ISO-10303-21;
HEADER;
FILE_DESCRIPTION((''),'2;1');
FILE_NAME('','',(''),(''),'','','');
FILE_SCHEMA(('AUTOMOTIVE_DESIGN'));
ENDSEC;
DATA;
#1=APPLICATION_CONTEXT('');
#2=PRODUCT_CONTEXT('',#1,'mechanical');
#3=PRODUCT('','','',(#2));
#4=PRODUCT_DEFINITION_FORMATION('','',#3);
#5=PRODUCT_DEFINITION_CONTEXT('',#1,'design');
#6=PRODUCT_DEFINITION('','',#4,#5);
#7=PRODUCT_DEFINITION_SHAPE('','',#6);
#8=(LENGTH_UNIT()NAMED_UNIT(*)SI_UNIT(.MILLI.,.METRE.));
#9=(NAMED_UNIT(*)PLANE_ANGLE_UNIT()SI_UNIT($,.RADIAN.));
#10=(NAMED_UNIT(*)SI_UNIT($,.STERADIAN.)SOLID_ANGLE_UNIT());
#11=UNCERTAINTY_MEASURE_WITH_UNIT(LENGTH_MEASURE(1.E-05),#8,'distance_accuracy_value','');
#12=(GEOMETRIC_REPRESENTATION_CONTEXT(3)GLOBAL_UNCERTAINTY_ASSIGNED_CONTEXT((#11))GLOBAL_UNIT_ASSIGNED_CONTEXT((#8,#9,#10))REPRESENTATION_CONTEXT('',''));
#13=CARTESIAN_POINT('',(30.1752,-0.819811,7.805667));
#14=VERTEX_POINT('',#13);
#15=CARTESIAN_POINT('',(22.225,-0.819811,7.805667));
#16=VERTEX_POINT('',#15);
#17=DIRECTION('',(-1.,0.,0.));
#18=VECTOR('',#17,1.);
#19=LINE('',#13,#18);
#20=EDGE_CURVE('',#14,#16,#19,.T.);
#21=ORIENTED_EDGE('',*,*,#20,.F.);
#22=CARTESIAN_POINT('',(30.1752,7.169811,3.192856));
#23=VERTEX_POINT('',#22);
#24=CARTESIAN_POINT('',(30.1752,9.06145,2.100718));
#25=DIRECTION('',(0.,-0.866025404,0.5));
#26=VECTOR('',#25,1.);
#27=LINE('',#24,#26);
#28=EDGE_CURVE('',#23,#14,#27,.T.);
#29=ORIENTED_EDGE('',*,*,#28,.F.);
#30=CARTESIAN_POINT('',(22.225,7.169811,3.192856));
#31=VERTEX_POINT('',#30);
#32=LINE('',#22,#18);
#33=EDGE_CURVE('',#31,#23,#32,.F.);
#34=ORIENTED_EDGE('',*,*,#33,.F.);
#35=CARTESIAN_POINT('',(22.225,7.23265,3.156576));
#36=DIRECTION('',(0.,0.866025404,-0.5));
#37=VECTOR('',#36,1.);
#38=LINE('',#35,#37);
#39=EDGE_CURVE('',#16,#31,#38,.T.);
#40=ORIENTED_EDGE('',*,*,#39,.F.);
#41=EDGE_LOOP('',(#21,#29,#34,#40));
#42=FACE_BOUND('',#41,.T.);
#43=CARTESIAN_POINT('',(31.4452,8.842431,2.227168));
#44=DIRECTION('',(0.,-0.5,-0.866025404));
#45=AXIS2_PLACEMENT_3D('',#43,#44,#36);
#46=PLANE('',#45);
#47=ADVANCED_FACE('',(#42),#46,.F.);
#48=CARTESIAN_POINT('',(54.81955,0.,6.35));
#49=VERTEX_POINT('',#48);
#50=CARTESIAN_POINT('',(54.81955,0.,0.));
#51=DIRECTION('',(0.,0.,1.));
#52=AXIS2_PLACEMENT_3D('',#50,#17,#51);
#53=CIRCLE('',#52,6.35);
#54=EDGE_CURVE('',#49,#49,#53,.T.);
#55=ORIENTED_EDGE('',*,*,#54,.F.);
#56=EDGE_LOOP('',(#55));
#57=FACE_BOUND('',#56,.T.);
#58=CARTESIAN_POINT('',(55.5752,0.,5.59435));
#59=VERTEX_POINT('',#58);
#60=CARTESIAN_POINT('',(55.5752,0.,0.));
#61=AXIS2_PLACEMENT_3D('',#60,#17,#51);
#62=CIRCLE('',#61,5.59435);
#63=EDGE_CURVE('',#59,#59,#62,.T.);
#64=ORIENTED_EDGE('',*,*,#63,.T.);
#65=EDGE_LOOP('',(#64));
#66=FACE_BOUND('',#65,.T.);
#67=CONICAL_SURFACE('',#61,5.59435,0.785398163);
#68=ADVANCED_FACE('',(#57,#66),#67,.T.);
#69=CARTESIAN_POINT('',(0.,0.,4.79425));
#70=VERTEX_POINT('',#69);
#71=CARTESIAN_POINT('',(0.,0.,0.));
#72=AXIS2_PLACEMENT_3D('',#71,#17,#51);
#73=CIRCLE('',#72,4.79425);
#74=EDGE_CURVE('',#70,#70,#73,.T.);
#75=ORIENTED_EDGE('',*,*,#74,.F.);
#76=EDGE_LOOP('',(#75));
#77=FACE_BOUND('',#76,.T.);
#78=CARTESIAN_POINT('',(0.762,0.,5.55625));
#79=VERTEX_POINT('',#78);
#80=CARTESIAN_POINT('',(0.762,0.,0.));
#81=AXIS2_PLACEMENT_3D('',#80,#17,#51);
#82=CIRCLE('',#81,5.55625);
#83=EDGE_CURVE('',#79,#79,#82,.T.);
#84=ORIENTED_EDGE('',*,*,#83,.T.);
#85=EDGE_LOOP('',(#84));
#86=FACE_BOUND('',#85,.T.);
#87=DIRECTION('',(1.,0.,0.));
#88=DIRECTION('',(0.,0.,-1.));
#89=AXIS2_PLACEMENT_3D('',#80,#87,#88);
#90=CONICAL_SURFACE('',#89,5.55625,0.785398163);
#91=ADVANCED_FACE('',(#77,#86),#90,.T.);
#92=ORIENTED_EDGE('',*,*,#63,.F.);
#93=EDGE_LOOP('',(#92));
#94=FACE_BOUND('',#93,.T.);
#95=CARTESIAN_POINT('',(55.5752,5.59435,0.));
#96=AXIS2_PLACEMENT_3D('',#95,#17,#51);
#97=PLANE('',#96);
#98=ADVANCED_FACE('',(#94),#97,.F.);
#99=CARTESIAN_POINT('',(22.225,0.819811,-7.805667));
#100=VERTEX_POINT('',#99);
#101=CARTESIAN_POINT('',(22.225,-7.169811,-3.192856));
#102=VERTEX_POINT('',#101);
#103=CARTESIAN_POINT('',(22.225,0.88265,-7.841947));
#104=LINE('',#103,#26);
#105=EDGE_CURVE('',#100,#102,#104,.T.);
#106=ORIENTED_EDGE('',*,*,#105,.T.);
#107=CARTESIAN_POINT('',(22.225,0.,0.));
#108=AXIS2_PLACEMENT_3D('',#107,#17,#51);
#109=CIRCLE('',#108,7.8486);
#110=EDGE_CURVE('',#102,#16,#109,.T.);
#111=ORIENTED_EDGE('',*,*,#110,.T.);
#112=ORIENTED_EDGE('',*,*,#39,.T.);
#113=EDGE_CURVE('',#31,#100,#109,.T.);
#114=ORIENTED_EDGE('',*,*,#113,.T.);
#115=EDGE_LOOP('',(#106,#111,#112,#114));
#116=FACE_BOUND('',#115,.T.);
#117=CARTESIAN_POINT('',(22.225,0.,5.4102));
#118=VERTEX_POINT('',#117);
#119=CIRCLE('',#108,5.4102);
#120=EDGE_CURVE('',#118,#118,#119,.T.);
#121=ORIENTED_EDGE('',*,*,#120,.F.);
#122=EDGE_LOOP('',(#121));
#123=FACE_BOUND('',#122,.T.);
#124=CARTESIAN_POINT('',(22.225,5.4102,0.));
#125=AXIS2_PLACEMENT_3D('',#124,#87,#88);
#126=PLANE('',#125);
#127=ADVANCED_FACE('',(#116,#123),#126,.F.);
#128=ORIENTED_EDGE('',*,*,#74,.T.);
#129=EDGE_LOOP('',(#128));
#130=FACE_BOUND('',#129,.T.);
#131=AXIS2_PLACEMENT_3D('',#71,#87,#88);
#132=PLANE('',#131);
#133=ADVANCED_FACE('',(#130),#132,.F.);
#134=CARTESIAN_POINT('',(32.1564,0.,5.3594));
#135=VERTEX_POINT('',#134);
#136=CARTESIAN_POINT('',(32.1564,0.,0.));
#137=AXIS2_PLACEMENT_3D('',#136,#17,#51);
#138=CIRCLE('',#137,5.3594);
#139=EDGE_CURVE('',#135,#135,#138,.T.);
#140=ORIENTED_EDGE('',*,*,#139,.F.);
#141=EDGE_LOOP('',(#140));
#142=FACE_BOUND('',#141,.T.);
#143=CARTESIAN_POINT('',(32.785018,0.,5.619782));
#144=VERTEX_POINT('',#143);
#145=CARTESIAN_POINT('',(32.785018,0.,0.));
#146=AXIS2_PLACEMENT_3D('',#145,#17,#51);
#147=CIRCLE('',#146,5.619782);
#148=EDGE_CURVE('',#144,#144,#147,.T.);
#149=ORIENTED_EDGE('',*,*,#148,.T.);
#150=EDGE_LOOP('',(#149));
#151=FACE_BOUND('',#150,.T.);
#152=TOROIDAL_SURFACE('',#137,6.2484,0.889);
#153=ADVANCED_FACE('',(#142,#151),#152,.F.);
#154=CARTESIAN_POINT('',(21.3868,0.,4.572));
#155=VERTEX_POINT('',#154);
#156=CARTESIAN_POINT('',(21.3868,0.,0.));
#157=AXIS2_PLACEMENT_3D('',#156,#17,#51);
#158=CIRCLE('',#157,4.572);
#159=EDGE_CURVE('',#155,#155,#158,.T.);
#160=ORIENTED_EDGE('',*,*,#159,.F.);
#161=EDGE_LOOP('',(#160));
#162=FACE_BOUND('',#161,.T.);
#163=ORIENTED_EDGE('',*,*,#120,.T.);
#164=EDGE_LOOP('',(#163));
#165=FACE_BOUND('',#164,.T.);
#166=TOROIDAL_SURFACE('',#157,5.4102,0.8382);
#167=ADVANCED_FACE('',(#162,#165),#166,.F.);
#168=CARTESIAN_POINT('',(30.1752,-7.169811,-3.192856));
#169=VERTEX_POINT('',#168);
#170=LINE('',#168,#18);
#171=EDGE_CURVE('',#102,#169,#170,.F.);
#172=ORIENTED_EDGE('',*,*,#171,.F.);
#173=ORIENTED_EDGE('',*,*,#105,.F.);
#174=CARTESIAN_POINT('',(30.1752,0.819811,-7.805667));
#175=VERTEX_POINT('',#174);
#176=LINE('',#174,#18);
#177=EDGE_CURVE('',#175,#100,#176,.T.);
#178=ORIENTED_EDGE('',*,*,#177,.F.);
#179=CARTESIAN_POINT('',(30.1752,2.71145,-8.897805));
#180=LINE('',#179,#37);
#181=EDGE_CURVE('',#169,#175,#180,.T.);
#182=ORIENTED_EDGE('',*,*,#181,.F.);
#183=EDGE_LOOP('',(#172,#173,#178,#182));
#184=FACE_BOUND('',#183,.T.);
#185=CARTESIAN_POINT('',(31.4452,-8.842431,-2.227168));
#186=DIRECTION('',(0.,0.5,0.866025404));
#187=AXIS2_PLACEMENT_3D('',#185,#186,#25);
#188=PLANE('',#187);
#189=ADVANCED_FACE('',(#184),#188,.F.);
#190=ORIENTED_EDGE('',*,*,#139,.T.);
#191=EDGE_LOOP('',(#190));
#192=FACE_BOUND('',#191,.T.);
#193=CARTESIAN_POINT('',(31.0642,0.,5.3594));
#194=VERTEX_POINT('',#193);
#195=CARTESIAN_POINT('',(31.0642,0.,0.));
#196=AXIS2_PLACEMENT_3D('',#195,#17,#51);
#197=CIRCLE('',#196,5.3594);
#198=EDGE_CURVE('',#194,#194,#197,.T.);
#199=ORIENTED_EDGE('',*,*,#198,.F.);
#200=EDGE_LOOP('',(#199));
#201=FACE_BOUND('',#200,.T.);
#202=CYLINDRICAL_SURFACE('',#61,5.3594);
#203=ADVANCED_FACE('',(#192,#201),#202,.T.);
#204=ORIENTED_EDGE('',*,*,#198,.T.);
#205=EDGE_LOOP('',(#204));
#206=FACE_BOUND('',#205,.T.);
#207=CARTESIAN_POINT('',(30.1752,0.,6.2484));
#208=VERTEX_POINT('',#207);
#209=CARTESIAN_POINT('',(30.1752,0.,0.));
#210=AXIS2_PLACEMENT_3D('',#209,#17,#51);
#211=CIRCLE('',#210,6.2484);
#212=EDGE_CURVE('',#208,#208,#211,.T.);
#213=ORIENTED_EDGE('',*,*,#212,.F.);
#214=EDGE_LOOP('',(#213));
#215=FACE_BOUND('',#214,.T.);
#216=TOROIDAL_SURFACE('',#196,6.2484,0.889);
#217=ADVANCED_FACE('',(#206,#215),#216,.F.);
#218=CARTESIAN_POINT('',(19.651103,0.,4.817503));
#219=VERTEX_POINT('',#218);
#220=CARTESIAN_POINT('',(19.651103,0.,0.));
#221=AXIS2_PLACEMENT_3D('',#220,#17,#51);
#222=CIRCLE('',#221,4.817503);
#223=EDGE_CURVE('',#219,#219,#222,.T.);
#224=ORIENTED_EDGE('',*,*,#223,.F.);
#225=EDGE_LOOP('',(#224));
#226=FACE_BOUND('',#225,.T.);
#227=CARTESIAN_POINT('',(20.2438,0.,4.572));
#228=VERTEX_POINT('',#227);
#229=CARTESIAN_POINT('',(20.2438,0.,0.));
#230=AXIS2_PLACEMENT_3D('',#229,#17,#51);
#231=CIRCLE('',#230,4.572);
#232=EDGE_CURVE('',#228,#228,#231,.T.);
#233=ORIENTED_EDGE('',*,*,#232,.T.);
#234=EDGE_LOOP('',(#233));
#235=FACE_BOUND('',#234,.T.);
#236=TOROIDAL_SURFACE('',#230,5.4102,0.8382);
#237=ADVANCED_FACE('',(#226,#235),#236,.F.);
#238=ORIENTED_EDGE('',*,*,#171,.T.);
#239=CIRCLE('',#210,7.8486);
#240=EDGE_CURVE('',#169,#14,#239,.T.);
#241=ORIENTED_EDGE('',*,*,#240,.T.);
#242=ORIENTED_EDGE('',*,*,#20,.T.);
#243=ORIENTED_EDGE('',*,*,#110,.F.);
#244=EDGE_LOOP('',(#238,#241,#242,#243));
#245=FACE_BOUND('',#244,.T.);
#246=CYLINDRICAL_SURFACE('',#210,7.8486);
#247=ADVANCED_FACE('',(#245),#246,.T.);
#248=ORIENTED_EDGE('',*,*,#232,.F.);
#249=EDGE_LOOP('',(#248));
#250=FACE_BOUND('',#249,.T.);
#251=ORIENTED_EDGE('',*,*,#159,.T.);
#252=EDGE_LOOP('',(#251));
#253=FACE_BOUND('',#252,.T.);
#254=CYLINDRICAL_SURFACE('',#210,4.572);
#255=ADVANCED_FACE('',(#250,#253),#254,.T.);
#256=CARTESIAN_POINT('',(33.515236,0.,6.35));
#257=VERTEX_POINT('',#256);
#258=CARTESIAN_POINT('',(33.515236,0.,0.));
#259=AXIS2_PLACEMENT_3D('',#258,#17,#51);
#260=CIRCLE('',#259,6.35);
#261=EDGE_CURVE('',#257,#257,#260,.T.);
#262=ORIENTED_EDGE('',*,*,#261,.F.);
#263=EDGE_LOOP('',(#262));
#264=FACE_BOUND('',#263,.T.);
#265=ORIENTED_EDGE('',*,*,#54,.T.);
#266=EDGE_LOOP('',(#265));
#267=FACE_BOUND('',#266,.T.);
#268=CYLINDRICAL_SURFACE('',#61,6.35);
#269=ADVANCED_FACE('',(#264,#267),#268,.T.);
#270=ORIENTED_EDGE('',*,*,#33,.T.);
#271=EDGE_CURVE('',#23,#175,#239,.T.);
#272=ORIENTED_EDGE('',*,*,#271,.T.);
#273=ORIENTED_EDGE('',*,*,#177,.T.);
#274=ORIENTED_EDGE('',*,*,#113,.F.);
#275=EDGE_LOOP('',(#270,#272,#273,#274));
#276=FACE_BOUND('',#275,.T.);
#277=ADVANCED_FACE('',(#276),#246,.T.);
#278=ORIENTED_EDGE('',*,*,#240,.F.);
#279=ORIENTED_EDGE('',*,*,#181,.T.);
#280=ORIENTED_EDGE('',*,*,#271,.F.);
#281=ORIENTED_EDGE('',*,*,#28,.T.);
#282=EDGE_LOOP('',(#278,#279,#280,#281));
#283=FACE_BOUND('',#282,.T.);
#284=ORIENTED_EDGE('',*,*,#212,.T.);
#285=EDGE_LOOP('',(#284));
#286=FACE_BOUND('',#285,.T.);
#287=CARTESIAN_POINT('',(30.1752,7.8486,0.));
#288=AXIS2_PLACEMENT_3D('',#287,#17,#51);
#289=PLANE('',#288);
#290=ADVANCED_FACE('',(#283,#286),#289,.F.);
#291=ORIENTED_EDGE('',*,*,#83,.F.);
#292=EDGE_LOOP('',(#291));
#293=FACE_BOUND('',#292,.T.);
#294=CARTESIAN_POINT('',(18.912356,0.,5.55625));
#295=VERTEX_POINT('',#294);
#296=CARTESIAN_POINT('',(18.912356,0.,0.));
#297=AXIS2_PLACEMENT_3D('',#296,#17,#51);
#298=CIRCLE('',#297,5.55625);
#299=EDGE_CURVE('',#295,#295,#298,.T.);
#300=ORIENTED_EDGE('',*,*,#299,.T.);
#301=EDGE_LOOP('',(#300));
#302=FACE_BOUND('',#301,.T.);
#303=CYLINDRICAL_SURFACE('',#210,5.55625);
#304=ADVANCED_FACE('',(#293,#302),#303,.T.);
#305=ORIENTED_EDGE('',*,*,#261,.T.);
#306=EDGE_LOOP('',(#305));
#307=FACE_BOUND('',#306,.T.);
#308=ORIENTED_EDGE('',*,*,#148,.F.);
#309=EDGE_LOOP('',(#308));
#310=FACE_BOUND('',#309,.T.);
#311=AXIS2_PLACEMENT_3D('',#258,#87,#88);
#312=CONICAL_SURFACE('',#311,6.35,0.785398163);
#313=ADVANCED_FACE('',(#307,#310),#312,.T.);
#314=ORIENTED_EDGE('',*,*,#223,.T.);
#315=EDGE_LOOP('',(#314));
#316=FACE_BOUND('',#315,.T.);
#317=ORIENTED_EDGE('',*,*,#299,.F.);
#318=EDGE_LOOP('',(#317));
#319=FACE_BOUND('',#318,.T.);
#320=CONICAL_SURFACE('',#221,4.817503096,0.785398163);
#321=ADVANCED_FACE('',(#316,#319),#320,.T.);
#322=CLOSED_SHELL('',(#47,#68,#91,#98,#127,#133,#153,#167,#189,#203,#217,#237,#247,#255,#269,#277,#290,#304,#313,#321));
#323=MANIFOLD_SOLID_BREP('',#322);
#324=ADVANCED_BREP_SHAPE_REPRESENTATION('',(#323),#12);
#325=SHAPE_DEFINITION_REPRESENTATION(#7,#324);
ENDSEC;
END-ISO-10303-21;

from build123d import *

# Parameters (mm, degrees)
CUT_EXTRUDE1_DEPTH = 31.4452


with BuildPart() as part:
    # Sketch1 → Revolve1 (revolve)
    with BuildSketch(Plane.XY):
        with BuildLine():
            Line((0, 0), (0, 4.79425))
            Line((0, 4.79425), (0.762, 5.55625))
            Line((0.762, 5.55625), (18.912356192, 5.55625))
            Line((18.912356192, 5.55625), (19.651103096, 4.817503096))
            ThreePointArc((19.651103096, 4.817503096), (19.923034747, 4.635804176), (20.2438, 4.572))
            Line((20.2438, 4.572), (21.3868, 4.572))
            ThreePointArc((21.3868, 4.572), (21.979496904, 4.817503096), (22.225, 5.4102))
            Line((22.225, 5.4102), (22.225, 7.8486))
            Line((22.225, 7.8486), (30.1752, 7.8486))
            Line((30.1752, 7.8486), (30.1752, 0))
            Line((30.1752, 0), (0, 0))
        make_face()
    revolve(axis=Axis((30.1752, 0, 0), (-1, 0, 0)))

    # Sketch3 → Revolve2 (revolve)
    with BuildSketch(Plane.XY):
        with BuildLine():
            Line((30.1752, 0), (30.1752, 6.2484))
            ThreePointArc((30.1752, 6.2484), (30.435582072, 5.619782072), (31.0642, 5.3594))
            Line((31.0642, 5.3594), (32.1564, 5.3594))
            ThreePointArc((32.1564, 5.3594), (32.496605571, 5.427071096), (32.785017928, 5.619782072))
            Line((32.785017928, 5.619782072), (33.515235857, 6.35))
            Line((33.515235857, 6.35), (54.81955, 6.35))
            Line((54.81955, 6.35), (55.5752, 5.59435))
            Line((55.5752, 5.59435), (55.5752, 0))
            Line((55.5752, 0), (30.1752, 0))
        make_face()
    revolve(axis=Axis((55.5752, 0, 0), (-1, 0, 0)))

    # Sketch2 → Cut-Extrude1 (cut)
    with BuildSketch(Plane(origin=(0, 0, 0), x_dir=(0, 0, -1), z_dir=(1, 0, 0))):
        Polygon((-21.859138511, -5.857138511), (5.857138511, -21.859138511), (21.859138511, 5.857138511), (-5.857138511, 21.859138511), align=None)
        with BuildLine():
            Line((2.227168484, -8.842431029), (8.771354144, 2.492431029))
            ThreePointArc((8.771354144, 2.492431029), (4.5593, 7.896939247), (-2.227168484, 8.842431029))
            Line((-2.227168484, 8.842431029), (-8.771354144, -2.492431029))
            ThreePointArc((-8.771354144, -2.492431029), (-4.5593, -7.896939247), (2.227168484, -8.842431029))
        make_face(mode=Mode.SUBTRACT)
    extrude(amount=CUT_EXTRUDE1_DEPTH, mode=Mode.SUBTRACT)


solid = part.part
